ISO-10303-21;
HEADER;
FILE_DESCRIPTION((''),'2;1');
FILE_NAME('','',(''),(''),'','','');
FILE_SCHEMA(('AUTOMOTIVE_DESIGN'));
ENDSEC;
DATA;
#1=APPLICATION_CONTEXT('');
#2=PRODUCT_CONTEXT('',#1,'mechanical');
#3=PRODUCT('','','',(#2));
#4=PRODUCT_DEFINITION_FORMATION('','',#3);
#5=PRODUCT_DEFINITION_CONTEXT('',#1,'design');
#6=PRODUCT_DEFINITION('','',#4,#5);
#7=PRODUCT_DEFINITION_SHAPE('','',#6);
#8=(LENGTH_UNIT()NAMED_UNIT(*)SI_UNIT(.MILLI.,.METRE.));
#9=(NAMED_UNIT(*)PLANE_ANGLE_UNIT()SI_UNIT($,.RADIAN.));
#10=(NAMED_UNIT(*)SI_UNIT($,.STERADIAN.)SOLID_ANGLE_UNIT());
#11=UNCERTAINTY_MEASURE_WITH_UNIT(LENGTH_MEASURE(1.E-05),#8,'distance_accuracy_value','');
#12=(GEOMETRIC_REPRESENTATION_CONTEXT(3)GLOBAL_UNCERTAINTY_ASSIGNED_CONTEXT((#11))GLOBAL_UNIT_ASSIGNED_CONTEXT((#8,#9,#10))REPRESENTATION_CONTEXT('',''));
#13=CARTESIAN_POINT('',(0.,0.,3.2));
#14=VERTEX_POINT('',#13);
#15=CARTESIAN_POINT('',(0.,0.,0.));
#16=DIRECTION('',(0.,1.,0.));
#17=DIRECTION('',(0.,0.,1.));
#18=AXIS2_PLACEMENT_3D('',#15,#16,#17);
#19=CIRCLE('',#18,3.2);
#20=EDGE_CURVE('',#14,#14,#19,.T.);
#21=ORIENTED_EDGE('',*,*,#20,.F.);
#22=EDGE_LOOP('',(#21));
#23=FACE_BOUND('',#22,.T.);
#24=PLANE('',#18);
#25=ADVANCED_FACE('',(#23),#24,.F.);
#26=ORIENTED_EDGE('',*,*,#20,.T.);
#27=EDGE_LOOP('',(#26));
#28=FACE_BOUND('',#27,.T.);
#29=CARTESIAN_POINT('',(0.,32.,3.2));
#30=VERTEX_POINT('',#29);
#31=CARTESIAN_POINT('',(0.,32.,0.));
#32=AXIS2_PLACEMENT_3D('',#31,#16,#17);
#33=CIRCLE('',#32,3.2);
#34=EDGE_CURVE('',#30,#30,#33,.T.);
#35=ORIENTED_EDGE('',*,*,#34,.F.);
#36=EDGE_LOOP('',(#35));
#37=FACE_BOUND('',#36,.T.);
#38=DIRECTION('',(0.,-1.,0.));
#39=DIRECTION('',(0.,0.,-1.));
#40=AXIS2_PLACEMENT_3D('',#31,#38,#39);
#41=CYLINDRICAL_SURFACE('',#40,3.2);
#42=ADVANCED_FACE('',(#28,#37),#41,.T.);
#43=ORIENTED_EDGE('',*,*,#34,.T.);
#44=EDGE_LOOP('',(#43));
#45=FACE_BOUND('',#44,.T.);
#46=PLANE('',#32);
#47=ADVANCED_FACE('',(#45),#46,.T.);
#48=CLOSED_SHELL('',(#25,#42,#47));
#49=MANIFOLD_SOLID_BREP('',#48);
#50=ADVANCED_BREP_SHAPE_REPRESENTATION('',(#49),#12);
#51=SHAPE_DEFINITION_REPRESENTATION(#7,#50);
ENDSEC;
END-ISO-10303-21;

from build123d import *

# Parameters (mm, degrees)
SKETCH1_R           = 3.2
BOSS_EXTRUDE1_DEPTH = 32


with BuildPart() as part:
    # Sketch1 → Boss-Extrude1 (new body)
    with BuildSketch(Plane(origin=(0, 0, 0), x_dir=(1, 0, 0), z_dir=(0, 1, 0))):
        Circle(SKETCH1_R)
    extrude(amount=BOSS_EXTRUDE1_DEPTH)


solid = part.part
